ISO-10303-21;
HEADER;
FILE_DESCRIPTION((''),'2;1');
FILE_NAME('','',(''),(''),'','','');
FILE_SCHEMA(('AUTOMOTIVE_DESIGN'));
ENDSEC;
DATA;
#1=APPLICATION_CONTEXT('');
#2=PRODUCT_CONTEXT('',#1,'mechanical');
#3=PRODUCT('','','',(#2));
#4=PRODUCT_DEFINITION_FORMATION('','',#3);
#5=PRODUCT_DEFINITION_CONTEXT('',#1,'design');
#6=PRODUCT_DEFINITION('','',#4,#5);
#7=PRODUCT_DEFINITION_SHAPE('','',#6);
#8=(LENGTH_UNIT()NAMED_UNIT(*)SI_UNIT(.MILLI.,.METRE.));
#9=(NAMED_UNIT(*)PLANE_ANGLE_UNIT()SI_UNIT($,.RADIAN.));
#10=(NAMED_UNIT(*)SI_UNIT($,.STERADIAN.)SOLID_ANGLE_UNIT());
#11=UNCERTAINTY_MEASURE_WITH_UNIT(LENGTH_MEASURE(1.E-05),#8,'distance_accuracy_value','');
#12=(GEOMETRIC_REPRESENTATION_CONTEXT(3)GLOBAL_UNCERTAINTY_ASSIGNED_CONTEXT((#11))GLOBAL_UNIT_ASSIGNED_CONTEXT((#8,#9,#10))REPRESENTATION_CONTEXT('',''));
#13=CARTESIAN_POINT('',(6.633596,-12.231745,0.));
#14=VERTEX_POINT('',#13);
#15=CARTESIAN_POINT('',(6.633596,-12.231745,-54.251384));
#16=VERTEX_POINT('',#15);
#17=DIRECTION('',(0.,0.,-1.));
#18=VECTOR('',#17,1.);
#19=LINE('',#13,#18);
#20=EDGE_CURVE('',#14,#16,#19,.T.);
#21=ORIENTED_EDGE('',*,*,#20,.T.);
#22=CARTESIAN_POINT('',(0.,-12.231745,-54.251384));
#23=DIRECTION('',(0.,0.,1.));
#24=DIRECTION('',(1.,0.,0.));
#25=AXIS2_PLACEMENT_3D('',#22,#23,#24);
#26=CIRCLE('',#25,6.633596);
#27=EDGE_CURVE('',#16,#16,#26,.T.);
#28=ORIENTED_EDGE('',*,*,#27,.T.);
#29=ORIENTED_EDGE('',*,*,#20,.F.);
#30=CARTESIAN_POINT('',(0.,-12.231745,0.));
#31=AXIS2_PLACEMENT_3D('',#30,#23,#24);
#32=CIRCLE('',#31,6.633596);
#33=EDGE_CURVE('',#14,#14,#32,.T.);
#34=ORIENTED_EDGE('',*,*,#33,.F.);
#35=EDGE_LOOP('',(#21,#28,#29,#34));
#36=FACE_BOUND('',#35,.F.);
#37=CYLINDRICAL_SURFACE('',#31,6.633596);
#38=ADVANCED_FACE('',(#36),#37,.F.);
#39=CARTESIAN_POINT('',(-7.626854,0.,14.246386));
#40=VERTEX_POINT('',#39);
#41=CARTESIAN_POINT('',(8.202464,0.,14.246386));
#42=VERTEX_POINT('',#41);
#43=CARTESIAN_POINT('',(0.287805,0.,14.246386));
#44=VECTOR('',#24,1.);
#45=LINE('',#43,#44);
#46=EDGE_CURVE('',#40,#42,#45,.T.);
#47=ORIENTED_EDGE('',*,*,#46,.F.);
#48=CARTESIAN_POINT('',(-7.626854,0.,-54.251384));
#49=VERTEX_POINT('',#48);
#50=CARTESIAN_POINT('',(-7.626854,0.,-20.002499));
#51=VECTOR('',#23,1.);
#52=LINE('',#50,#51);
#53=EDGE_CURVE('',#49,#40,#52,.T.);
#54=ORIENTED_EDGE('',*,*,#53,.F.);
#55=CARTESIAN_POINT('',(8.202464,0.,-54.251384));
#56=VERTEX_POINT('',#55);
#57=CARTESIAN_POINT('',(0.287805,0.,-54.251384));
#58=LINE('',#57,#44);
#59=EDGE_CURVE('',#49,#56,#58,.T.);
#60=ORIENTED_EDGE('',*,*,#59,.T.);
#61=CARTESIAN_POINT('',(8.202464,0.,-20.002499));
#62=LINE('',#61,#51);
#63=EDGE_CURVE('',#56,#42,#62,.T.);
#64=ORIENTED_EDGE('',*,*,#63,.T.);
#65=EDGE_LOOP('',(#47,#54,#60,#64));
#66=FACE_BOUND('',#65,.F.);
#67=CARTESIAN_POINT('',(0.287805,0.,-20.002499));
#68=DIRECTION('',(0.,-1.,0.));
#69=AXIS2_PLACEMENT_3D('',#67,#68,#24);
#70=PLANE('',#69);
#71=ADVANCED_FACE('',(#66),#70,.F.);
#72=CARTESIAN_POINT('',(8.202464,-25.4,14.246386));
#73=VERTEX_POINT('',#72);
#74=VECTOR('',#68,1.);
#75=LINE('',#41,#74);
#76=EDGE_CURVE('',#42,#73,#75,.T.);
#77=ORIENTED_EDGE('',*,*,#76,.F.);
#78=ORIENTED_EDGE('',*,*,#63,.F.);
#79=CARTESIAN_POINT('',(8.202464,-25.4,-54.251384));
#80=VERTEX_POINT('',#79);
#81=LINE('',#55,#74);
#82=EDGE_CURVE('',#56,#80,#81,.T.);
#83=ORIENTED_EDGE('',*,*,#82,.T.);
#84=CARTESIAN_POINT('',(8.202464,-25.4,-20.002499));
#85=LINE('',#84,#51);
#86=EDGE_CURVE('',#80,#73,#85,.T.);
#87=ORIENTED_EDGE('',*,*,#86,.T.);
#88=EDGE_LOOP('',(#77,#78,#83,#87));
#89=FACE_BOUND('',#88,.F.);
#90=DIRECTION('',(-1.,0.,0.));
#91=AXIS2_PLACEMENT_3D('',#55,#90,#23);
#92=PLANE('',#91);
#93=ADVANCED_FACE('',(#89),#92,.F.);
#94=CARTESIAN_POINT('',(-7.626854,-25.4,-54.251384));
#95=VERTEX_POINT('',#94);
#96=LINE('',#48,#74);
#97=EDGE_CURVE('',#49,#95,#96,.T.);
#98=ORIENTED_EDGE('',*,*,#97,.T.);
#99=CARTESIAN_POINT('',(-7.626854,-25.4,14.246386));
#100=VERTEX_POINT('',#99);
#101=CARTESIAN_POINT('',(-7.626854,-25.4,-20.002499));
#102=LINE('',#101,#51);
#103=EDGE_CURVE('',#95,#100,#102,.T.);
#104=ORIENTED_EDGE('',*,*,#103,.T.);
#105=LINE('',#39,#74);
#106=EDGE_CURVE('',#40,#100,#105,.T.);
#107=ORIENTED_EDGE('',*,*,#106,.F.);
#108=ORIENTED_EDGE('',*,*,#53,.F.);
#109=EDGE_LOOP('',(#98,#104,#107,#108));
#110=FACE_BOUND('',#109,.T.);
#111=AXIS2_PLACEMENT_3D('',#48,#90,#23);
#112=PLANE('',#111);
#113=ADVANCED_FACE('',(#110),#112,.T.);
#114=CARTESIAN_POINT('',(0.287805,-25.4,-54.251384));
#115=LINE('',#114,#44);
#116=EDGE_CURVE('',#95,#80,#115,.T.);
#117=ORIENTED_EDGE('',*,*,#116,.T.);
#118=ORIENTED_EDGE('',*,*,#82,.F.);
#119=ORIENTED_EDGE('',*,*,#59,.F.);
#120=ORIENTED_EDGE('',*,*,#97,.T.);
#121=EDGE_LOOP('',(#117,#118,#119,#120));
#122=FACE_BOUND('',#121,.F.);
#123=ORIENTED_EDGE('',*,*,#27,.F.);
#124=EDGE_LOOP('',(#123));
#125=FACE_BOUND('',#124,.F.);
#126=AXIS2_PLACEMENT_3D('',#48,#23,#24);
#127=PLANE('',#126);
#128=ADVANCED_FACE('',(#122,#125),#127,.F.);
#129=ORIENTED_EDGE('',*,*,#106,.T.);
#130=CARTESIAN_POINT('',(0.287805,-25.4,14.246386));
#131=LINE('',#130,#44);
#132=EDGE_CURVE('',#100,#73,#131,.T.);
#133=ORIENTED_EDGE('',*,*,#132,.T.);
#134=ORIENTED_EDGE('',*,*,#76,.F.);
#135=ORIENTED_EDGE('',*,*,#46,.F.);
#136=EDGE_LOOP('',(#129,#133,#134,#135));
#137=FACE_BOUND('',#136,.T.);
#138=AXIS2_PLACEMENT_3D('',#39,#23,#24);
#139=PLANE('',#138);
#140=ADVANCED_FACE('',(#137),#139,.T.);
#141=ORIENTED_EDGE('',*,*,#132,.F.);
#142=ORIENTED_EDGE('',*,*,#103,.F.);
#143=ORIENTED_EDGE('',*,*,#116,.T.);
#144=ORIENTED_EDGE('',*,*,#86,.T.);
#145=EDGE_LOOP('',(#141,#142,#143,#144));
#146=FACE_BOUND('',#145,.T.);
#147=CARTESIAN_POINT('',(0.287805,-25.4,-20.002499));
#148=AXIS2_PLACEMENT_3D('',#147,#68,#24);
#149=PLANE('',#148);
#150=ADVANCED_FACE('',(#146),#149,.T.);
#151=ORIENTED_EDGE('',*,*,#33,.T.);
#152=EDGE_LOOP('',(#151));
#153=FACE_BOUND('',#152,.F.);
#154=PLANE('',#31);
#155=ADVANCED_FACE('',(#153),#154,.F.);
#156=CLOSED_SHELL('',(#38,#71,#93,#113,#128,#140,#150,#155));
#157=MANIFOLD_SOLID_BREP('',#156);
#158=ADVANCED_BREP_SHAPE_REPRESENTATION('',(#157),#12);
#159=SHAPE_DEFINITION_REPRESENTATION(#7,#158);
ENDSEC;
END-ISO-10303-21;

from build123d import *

# Parameters (mm, degrees)
F0_W     = 15.829317
F0_H     = 68.497769
F1_DEPTH = 25.4
F2_R     = 6.633596
F3_DEPTH = 76.2


with BuildPart() as f1:
    # F0 (on Front) → F1 (new body)
    with BuildSketch(Plane.XZ):
        with Locations((0.287805, -20.002499)):
            Rectangle(F0_W, F0_H)
    extrude(amount=F1_DEPTH)

    # F2 (on Top) → F3 (cut)
    with BuildSketch(Plane.XY):
        with Locations((0, -12.231745)):
            Circle(F2_R)
    extrude(amount=-F3_DEPTH, mode=Mode.SUBTRACT)


solid = f1.part
